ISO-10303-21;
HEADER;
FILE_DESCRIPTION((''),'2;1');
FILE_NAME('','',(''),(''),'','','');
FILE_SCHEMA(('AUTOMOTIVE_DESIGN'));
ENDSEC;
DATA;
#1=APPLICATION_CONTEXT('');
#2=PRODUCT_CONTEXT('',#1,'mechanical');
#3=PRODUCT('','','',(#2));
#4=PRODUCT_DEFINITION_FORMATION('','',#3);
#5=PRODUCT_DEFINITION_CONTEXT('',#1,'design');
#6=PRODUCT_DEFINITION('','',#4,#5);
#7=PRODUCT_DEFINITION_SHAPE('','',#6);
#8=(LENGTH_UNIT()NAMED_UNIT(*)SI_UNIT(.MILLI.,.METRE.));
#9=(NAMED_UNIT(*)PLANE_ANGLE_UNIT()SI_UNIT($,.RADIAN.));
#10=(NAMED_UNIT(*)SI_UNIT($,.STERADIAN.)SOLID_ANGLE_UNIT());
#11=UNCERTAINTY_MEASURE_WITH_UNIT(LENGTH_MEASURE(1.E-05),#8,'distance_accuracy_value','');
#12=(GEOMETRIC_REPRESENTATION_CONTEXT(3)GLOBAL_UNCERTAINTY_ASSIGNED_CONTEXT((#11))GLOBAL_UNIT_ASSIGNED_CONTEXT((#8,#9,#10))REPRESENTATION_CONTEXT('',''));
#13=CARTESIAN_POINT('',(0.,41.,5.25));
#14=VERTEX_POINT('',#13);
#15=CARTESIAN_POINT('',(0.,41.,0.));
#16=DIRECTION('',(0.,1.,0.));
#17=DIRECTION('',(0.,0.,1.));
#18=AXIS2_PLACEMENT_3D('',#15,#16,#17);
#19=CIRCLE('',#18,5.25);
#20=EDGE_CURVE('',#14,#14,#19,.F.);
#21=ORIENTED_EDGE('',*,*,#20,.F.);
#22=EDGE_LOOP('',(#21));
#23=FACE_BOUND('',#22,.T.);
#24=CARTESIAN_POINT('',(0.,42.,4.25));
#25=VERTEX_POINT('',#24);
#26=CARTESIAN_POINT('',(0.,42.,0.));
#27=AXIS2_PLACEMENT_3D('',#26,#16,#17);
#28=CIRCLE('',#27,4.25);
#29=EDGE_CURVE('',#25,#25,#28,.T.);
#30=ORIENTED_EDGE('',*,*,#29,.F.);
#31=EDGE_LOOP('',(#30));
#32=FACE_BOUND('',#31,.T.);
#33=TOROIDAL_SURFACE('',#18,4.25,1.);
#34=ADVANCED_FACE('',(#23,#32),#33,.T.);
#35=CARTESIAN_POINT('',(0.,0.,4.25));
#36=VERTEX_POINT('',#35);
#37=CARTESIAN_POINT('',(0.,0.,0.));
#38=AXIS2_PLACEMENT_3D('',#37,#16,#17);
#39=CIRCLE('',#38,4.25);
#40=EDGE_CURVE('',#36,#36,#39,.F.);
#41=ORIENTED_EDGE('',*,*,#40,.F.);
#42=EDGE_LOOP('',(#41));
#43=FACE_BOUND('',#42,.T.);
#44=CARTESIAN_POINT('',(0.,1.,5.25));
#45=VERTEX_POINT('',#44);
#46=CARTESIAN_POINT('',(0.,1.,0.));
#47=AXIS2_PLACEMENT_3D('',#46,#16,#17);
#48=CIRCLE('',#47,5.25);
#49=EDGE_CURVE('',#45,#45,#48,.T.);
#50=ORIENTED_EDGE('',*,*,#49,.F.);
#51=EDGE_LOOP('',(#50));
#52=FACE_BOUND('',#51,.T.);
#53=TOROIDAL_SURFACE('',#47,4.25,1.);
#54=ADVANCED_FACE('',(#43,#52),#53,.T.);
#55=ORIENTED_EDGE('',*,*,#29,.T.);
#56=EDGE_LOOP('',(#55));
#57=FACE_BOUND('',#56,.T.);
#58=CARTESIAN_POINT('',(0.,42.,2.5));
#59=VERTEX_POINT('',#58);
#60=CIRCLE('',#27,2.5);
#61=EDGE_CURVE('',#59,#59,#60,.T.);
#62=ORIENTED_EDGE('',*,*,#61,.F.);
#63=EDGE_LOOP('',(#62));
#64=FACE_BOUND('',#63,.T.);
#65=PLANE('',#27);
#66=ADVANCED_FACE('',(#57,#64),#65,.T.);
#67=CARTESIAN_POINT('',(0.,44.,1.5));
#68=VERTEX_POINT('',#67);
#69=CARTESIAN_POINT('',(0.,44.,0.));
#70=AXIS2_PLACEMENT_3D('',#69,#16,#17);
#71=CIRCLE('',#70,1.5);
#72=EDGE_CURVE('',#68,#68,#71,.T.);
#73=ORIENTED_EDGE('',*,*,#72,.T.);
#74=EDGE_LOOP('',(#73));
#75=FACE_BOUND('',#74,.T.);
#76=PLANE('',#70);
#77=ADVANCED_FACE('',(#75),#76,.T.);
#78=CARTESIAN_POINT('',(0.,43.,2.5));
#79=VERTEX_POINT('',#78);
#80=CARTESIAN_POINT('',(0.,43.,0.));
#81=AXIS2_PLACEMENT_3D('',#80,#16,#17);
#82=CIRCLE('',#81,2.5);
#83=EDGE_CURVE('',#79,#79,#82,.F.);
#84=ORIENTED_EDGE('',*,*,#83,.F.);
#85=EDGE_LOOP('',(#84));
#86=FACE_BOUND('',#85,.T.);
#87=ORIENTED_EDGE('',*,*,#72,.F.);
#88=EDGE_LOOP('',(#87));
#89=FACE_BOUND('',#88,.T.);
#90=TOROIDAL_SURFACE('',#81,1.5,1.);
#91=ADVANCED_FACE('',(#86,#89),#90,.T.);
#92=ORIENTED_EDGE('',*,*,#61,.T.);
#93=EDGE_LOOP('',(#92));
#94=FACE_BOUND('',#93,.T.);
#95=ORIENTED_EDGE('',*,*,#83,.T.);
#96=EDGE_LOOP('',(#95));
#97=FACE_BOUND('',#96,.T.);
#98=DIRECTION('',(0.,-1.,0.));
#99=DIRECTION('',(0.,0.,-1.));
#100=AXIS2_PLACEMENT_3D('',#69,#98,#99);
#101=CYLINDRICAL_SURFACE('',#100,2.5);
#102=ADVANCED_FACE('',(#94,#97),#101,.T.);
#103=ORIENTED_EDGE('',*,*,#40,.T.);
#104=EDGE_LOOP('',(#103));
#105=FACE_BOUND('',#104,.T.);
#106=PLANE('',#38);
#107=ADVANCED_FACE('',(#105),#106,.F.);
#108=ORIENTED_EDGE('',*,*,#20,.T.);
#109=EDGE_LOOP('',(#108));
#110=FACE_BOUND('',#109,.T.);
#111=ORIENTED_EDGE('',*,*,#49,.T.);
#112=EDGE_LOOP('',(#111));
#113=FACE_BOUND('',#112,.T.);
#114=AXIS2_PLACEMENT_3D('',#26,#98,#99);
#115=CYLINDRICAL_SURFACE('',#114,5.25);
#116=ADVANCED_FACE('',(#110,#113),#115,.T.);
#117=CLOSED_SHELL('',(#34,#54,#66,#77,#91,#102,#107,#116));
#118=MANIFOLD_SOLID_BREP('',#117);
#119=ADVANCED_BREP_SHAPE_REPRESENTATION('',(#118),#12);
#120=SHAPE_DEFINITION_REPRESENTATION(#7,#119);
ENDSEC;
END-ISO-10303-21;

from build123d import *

# Parameters (mm, degrees)
SKETCH1_R           = 5.25
BOSS_EXTRUDE1_DEPTH = 42
SKETCH2_R           = 2.5
BOSS_EXTRUDE2_DEPTH = 2
FILLET1_R           = 1


with BuildPart() as part:
    # Sketch1 → Boss-Extrude1 (new body)
    with BuildSketch(Plane(origin=(0, 0, 0), x_dir=(1, 0, 0), z_dir=(0, 1, 0))):
        Circle(SKETCH1_R)
    extrude(amount=BOSS_EXTRUDE1_DEPTH)

    # Sketch2 → Boss-Extrude2 (add)
    with BuildSketch(Plane(origin=(0, 42, 0), x_dir=(1, 0, 0), z_dir=(0, 1, 0))):
        Circle(SKETCH2_R)
    extrude(amount=BOSS_EXTRUDE2_DEPTH)

    # Fillet1
    fillet1_edges = [part.edges().sort_by_distance(p)[0] for p in [
        (-5.25, 0, 0),
        (-5.25, 42, 0),
        (-2.5, 44, 0),
    ]]
    fillet(fillet1_edges, radius=FILLET1_R)


solid = part.part
